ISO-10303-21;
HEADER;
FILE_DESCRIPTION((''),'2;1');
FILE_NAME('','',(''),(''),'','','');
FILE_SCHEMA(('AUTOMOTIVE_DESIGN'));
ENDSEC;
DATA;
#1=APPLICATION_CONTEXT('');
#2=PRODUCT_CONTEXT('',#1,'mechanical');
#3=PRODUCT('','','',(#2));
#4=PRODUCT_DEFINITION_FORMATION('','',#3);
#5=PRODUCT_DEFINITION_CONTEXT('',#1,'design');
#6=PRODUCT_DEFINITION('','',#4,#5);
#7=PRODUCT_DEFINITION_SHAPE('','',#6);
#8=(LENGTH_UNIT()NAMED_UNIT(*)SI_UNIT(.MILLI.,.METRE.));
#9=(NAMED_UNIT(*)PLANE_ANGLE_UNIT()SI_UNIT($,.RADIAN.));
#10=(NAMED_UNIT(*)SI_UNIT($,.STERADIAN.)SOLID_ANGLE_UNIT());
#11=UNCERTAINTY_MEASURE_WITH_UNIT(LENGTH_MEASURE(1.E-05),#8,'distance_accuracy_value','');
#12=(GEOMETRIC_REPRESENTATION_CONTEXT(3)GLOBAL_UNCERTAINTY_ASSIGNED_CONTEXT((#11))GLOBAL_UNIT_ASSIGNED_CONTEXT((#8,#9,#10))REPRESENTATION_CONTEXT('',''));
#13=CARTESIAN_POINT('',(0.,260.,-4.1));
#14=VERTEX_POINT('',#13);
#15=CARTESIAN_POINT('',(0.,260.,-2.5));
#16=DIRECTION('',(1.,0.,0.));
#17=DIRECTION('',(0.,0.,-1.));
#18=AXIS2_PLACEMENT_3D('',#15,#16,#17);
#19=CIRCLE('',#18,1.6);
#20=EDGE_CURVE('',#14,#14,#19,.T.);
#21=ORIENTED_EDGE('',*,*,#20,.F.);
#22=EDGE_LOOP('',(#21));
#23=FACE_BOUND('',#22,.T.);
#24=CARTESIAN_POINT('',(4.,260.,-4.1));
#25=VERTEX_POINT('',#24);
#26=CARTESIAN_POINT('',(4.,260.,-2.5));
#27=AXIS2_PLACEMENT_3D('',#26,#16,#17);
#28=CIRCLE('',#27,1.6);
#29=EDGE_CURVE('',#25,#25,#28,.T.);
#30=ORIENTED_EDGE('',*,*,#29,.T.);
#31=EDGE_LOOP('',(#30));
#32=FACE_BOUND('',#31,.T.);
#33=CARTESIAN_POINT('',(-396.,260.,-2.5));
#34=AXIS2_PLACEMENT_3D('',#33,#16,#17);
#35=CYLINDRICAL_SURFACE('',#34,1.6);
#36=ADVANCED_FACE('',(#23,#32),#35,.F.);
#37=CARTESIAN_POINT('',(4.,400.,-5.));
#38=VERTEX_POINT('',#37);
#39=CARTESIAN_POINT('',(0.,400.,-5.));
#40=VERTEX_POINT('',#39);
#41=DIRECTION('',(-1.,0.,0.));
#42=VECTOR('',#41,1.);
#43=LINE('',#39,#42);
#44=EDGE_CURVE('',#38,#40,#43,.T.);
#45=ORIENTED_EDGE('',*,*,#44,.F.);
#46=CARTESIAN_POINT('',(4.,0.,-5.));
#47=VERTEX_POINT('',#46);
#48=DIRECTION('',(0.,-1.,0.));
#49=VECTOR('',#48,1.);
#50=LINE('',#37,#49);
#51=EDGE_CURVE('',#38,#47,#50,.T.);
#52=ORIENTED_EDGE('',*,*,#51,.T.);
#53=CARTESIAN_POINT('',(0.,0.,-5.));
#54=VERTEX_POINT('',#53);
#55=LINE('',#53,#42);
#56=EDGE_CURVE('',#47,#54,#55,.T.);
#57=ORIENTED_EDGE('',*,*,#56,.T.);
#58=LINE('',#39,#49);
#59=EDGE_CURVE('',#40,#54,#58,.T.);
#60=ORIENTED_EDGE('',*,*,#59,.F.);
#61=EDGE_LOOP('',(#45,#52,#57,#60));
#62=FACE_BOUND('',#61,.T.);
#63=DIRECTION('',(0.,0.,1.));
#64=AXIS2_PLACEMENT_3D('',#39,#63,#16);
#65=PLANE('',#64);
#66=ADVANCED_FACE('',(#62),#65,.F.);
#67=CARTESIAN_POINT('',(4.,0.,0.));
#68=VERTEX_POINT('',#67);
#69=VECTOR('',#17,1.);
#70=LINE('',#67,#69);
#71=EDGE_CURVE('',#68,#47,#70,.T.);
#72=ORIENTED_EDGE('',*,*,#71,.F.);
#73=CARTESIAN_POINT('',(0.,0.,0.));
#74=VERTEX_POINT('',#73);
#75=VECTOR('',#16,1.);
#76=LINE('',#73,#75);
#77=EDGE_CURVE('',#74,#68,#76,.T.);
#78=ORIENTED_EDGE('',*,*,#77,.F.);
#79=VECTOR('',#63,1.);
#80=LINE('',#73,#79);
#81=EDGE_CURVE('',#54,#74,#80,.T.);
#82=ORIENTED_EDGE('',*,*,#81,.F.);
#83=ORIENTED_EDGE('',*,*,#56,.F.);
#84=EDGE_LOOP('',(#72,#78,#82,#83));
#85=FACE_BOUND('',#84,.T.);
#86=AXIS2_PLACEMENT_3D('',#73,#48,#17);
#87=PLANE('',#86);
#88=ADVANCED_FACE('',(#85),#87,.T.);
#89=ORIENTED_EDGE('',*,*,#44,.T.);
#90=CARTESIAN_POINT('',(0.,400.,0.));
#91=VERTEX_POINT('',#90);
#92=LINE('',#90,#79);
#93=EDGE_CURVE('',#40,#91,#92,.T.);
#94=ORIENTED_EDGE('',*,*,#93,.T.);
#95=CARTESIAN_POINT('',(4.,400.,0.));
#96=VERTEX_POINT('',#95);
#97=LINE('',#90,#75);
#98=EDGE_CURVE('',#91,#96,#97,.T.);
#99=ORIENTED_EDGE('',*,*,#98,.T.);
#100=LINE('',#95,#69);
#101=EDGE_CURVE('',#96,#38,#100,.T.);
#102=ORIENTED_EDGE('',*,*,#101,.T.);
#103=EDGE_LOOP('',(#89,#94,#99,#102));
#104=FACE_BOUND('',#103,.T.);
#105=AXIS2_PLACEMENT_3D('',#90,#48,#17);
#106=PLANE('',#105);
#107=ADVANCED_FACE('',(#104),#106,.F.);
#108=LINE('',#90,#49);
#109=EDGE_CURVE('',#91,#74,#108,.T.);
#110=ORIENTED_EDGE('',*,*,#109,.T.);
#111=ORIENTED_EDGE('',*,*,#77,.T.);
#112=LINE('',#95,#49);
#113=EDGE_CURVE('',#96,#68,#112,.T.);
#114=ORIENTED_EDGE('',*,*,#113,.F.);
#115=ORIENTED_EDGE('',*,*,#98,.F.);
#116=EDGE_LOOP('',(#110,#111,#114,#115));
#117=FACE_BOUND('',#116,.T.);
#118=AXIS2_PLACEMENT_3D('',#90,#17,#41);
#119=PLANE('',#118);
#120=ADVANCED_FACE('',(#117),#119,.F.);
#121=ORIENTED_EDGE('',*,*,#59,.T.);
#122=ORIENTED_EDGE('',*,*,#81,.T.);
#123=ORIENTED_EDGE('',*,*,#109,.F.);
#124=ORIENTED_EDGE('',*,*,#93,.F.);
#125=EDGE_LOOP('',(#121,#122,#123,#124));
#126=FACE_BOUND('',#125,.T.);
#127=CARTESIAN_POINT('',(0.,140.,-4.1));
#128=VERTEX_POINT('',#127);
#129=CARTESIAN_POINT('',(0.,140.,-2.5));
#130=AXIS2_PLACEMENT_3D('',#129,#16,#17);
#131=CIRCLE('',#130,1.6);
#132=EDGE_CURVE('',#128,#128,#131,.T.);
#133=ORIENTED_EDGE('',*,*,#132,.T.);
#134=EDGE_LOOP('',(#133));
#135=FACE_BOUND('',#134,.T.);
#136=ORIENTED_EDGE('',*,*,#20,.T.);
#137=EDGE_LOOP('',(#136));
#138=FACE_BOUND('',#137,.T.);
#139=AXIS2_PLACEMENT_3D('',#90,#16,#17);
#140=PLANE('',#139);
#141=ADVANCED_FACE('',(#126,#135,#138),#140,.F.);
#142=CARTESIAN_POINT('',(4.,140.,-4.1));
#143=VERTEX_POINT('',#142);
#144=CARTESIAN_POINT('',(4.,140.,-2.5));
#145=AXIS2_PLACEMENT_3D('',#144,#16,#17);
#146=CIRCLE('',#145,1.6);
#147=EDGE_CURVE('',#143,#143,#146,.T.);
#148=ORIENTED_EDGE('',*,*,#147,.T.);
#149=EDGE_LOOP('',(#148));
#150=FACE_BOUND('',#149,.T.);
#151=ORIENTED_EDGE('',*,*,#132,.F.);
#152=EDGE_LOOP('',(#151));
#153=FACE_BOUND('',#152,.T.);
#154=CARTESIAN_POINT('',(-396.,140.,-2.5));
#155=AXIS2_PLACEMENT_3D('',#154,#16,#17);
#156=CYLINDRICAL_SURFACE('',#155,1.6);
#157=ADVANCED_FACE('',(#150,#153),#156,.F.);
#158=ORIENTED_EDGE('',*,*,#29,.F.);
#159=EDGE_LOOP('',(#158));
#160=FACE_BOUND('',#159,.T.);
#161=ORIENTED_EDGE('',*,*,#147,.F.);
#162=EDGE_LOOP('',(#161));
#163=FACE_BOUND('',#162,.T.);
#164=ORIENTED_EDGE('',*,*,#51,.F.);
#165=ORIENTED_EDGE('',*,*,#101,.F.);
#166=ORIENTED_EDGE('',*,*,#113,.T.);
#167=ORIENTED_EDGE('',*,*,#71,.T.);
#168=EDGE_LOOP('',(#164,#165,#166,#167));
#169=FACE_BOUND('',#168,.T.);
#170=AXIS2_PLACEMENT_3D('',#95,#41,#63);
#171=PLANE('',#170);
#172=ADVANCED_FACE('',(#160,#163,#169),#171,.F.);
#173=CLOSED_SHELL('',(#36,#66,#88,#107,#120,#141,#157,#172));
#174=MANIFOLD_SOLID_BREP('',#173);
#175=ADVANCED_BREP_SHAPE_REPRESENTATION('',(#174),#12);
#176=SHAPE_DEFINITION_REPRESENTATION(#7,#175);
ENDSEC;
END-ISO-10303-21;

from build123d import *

# Parameters (mm, degrees)
SKETCH_1_W          = 4
SKETCH_1_H          = 5
EXTRUDE_1_DEPTH     = 400
SKETCH_2_R          = 1.6
CUT_EXTRUDE_1_DEPTH = 400


with BuildPart() as part:
    # 草图1 → 凸台-拉伸1 (new body)
    with BuildSketch(Plane(origin=(0, 0, 0), x_dir=(1, 0, 0), z_dir=(0, 1, 0))):
        with Locations((2, 2.5)):
            Rectangle(SKETCH_1_W, SKETCH_1_H)
    extrude(amount=EXTRUDE_1_DEPTH)

    # 草图2 → 切除-拉伸1 (cut)
    with BuildSketch(Plane(origin=(4, 0, 0), x_dir=(0, 0, -1), z_dir=(1, 0, 0))):
        with Locations((2.5, 140)):
            Circle(SKETCH_2_R)
        with Locations((2.5, 260)):
            Circle(SKETCH_2_R)
    extrude(amount=-CUT_EXTRUDE_1_DEPTH, mode=Mode.SUBTRACT)


solid = part.part
